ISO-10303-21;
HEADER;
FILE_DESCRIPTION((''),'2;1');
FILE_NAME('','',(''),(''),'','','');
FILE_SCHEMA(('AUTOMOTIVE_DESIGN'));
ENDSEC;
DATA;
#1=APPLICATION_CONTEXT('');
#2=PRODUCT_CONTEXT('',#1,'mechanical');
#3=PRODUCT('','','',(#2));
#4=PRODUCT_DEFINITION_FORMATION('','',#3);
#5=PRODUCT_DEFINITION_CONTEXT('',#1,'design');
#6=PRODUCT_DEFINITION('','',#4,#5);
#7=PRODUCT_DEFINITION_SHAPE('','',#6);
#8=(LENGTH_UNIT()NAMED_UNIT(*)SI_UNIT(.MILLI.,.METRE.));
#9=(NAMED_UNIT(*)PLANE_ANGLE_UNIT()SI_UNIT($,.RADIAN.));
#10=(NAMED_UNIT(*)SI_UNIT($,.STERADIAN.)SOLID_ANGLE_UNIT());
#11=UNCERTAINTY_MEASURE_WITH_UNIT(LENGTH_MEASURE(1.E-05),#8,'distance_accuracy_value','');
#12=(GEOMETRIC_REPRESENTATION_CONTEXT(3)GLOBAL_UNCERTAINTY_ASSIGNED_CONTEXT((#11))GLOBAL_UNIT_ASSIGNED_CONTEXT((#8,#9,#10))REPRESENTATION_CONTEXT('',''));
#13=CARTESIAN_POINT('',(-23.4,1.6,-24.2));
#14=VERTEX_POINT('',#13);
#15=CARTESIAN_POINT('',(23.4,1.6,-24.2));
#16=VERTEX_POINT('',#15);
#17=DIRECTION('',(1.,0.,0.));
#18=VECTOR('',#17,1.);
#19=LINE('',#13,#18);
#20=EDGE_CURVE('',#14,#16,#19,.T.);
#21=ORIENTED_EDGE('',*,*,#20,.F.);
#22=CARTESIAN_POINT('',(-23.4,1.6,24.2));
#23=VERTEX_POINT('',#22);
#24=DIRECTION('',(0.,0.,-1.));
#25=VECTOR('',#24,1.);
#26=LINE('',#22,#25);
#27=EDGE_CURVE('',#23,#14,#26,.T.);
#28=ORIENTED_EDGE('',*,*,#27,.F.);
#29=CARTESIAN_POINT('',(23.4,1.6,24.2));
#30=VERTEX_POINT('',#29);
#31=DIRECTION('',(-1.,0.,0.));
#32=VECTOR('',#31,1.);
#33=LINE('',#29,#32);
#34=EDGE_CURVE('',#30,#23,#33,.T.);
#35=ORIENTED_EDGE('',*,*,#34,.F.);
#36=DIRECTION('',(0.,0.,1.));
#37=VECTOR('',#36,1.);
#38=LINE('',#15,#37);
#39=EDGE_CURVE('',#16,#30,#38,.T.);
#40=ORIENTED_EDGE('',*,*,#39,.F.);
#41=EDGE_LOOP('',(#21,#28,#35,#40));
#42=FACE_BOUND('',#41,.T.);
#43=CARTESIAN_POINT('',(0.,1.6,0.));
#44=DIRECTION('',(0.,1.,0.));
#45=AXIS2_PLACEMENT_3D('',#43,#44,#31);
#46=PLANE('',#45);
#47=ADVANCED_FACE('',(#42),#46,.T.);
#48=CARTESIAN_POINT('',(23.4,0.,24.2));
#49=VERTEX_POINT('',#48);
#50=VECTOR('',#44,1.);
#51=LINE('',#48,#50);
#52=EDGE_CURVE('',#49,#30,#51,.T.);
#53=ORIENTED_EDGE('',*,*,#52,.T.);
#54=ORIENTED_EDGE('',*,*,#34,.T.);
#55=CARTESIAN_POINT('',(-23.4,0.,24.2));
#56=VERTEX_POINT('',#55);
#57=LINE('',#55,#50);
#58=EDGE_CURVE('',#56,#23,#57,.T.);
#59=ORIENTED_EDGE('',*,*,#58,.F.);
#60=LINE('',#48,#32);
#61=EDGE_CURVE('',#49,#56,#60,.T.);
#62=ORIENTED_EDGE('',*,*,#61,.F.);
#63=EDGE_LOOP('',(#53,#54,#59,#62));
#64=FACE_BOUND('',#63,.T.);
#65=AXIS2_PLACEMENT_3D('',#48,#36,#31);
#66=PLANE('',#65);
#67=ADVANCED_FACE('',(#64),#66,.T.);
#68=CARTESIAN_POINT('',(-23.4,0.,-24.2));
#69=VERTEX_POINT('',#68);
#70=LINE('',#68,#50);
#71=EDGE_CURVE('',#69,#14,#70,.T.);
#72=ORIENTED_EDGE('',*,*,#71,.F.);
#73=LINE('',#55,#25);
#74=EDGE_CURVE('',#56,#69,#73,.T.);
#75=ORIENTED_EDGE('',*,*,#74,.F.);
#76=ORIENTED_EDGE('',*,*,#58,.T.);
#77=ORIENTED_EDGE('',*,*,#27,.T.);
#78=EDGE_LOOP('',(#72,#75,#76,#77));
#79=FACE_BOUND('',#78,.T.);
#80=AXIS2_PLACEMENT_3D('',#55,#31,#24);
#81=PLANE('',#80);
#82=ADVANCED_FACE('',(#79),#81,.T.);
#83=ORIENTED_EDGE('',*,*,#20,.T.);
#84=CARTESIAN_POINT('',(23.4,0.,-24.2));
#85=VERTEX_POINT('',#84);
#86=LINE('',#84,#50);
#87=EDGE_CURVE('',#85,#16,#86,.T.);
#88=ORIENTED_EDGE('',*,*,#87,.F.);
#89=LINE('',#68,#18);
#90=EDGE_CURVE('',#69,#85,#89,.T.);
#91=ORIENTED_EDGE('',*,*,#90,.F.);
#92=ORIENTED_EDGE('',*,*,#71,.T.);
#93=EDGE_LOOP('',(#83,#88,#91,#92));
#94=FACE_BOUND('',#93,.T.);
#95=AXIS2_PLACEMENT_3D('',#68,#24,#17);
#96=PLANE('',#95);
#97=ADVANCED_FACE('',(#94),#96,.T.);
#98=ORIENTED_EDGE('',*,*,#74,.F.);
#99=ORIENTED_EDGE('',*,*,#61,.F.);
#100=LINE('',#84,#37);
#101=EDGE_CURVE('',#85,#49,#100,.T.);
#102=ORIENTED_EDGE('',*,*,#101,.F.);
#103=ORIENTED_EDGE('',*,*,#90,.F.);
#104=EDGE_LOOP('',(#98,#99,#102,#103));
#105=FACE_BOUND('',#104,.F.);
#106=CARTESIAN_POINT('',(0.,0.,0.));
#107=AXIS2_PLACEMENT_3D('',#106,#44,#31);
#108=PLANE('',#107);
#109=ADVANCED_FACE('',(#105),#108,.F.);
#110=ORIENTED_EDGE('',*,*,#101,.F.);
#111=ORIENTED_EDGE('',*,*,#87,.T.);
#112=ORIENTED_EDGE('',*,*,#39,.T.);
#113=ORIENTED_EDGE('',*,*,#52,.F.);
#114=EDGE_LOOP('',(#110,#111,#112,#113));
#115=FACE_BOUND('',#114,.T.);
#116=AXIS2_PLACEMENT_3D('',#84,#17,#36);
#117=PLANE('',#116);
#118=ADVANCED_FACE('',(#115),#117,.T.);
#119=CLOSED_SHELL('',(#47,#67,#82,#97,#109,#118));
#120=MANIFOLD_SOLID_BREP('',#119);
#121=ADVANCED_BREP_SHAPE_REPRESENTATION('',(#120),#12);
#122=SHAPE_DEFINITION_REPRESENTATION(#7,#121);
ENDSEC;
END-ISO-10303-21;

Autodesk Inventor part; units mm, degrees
ref_plane "YZ Plane" through (0, 0, 0) normal (1, 0, 0) x (0, 1, 0)
ref_plane "XZ Plane" through (0, 0, 0) normal (0, 1, 0) x (-1, 0, 0)
ref_plane "XY Plane" through (0, 0, 0) normal (0, 0, 1) x (1, 0, 0)
sketch "Sketch1" plane through (0, 0, 0) normal (0, 1, 0) x (-1, 0, 0)
  line L0 (-23.4, 24.2) -> (23.4, 24.2)
  line L1 (23.4, 24.2) -> (23.4, -24.2)
  line L2 (23.4, -24.2) -> (-23.4, -24.2)
  line L3 (-23.4, -24.2) -> (-23.4, 24.2)
  line L4 (-23.4, 24.2) -> (23.4, -24.2) construction
  line L5 (23.4, 24.2) -> (-23.4, -24.2) construction
  point P0 (0, 0)
  dimension "d0" = 46.8
  dimension "d1" = 48.4
extrude "Extrusion1" add sketch "Sketch1" along normal blind 1.6
properties part number "Solar Panel PCB"
